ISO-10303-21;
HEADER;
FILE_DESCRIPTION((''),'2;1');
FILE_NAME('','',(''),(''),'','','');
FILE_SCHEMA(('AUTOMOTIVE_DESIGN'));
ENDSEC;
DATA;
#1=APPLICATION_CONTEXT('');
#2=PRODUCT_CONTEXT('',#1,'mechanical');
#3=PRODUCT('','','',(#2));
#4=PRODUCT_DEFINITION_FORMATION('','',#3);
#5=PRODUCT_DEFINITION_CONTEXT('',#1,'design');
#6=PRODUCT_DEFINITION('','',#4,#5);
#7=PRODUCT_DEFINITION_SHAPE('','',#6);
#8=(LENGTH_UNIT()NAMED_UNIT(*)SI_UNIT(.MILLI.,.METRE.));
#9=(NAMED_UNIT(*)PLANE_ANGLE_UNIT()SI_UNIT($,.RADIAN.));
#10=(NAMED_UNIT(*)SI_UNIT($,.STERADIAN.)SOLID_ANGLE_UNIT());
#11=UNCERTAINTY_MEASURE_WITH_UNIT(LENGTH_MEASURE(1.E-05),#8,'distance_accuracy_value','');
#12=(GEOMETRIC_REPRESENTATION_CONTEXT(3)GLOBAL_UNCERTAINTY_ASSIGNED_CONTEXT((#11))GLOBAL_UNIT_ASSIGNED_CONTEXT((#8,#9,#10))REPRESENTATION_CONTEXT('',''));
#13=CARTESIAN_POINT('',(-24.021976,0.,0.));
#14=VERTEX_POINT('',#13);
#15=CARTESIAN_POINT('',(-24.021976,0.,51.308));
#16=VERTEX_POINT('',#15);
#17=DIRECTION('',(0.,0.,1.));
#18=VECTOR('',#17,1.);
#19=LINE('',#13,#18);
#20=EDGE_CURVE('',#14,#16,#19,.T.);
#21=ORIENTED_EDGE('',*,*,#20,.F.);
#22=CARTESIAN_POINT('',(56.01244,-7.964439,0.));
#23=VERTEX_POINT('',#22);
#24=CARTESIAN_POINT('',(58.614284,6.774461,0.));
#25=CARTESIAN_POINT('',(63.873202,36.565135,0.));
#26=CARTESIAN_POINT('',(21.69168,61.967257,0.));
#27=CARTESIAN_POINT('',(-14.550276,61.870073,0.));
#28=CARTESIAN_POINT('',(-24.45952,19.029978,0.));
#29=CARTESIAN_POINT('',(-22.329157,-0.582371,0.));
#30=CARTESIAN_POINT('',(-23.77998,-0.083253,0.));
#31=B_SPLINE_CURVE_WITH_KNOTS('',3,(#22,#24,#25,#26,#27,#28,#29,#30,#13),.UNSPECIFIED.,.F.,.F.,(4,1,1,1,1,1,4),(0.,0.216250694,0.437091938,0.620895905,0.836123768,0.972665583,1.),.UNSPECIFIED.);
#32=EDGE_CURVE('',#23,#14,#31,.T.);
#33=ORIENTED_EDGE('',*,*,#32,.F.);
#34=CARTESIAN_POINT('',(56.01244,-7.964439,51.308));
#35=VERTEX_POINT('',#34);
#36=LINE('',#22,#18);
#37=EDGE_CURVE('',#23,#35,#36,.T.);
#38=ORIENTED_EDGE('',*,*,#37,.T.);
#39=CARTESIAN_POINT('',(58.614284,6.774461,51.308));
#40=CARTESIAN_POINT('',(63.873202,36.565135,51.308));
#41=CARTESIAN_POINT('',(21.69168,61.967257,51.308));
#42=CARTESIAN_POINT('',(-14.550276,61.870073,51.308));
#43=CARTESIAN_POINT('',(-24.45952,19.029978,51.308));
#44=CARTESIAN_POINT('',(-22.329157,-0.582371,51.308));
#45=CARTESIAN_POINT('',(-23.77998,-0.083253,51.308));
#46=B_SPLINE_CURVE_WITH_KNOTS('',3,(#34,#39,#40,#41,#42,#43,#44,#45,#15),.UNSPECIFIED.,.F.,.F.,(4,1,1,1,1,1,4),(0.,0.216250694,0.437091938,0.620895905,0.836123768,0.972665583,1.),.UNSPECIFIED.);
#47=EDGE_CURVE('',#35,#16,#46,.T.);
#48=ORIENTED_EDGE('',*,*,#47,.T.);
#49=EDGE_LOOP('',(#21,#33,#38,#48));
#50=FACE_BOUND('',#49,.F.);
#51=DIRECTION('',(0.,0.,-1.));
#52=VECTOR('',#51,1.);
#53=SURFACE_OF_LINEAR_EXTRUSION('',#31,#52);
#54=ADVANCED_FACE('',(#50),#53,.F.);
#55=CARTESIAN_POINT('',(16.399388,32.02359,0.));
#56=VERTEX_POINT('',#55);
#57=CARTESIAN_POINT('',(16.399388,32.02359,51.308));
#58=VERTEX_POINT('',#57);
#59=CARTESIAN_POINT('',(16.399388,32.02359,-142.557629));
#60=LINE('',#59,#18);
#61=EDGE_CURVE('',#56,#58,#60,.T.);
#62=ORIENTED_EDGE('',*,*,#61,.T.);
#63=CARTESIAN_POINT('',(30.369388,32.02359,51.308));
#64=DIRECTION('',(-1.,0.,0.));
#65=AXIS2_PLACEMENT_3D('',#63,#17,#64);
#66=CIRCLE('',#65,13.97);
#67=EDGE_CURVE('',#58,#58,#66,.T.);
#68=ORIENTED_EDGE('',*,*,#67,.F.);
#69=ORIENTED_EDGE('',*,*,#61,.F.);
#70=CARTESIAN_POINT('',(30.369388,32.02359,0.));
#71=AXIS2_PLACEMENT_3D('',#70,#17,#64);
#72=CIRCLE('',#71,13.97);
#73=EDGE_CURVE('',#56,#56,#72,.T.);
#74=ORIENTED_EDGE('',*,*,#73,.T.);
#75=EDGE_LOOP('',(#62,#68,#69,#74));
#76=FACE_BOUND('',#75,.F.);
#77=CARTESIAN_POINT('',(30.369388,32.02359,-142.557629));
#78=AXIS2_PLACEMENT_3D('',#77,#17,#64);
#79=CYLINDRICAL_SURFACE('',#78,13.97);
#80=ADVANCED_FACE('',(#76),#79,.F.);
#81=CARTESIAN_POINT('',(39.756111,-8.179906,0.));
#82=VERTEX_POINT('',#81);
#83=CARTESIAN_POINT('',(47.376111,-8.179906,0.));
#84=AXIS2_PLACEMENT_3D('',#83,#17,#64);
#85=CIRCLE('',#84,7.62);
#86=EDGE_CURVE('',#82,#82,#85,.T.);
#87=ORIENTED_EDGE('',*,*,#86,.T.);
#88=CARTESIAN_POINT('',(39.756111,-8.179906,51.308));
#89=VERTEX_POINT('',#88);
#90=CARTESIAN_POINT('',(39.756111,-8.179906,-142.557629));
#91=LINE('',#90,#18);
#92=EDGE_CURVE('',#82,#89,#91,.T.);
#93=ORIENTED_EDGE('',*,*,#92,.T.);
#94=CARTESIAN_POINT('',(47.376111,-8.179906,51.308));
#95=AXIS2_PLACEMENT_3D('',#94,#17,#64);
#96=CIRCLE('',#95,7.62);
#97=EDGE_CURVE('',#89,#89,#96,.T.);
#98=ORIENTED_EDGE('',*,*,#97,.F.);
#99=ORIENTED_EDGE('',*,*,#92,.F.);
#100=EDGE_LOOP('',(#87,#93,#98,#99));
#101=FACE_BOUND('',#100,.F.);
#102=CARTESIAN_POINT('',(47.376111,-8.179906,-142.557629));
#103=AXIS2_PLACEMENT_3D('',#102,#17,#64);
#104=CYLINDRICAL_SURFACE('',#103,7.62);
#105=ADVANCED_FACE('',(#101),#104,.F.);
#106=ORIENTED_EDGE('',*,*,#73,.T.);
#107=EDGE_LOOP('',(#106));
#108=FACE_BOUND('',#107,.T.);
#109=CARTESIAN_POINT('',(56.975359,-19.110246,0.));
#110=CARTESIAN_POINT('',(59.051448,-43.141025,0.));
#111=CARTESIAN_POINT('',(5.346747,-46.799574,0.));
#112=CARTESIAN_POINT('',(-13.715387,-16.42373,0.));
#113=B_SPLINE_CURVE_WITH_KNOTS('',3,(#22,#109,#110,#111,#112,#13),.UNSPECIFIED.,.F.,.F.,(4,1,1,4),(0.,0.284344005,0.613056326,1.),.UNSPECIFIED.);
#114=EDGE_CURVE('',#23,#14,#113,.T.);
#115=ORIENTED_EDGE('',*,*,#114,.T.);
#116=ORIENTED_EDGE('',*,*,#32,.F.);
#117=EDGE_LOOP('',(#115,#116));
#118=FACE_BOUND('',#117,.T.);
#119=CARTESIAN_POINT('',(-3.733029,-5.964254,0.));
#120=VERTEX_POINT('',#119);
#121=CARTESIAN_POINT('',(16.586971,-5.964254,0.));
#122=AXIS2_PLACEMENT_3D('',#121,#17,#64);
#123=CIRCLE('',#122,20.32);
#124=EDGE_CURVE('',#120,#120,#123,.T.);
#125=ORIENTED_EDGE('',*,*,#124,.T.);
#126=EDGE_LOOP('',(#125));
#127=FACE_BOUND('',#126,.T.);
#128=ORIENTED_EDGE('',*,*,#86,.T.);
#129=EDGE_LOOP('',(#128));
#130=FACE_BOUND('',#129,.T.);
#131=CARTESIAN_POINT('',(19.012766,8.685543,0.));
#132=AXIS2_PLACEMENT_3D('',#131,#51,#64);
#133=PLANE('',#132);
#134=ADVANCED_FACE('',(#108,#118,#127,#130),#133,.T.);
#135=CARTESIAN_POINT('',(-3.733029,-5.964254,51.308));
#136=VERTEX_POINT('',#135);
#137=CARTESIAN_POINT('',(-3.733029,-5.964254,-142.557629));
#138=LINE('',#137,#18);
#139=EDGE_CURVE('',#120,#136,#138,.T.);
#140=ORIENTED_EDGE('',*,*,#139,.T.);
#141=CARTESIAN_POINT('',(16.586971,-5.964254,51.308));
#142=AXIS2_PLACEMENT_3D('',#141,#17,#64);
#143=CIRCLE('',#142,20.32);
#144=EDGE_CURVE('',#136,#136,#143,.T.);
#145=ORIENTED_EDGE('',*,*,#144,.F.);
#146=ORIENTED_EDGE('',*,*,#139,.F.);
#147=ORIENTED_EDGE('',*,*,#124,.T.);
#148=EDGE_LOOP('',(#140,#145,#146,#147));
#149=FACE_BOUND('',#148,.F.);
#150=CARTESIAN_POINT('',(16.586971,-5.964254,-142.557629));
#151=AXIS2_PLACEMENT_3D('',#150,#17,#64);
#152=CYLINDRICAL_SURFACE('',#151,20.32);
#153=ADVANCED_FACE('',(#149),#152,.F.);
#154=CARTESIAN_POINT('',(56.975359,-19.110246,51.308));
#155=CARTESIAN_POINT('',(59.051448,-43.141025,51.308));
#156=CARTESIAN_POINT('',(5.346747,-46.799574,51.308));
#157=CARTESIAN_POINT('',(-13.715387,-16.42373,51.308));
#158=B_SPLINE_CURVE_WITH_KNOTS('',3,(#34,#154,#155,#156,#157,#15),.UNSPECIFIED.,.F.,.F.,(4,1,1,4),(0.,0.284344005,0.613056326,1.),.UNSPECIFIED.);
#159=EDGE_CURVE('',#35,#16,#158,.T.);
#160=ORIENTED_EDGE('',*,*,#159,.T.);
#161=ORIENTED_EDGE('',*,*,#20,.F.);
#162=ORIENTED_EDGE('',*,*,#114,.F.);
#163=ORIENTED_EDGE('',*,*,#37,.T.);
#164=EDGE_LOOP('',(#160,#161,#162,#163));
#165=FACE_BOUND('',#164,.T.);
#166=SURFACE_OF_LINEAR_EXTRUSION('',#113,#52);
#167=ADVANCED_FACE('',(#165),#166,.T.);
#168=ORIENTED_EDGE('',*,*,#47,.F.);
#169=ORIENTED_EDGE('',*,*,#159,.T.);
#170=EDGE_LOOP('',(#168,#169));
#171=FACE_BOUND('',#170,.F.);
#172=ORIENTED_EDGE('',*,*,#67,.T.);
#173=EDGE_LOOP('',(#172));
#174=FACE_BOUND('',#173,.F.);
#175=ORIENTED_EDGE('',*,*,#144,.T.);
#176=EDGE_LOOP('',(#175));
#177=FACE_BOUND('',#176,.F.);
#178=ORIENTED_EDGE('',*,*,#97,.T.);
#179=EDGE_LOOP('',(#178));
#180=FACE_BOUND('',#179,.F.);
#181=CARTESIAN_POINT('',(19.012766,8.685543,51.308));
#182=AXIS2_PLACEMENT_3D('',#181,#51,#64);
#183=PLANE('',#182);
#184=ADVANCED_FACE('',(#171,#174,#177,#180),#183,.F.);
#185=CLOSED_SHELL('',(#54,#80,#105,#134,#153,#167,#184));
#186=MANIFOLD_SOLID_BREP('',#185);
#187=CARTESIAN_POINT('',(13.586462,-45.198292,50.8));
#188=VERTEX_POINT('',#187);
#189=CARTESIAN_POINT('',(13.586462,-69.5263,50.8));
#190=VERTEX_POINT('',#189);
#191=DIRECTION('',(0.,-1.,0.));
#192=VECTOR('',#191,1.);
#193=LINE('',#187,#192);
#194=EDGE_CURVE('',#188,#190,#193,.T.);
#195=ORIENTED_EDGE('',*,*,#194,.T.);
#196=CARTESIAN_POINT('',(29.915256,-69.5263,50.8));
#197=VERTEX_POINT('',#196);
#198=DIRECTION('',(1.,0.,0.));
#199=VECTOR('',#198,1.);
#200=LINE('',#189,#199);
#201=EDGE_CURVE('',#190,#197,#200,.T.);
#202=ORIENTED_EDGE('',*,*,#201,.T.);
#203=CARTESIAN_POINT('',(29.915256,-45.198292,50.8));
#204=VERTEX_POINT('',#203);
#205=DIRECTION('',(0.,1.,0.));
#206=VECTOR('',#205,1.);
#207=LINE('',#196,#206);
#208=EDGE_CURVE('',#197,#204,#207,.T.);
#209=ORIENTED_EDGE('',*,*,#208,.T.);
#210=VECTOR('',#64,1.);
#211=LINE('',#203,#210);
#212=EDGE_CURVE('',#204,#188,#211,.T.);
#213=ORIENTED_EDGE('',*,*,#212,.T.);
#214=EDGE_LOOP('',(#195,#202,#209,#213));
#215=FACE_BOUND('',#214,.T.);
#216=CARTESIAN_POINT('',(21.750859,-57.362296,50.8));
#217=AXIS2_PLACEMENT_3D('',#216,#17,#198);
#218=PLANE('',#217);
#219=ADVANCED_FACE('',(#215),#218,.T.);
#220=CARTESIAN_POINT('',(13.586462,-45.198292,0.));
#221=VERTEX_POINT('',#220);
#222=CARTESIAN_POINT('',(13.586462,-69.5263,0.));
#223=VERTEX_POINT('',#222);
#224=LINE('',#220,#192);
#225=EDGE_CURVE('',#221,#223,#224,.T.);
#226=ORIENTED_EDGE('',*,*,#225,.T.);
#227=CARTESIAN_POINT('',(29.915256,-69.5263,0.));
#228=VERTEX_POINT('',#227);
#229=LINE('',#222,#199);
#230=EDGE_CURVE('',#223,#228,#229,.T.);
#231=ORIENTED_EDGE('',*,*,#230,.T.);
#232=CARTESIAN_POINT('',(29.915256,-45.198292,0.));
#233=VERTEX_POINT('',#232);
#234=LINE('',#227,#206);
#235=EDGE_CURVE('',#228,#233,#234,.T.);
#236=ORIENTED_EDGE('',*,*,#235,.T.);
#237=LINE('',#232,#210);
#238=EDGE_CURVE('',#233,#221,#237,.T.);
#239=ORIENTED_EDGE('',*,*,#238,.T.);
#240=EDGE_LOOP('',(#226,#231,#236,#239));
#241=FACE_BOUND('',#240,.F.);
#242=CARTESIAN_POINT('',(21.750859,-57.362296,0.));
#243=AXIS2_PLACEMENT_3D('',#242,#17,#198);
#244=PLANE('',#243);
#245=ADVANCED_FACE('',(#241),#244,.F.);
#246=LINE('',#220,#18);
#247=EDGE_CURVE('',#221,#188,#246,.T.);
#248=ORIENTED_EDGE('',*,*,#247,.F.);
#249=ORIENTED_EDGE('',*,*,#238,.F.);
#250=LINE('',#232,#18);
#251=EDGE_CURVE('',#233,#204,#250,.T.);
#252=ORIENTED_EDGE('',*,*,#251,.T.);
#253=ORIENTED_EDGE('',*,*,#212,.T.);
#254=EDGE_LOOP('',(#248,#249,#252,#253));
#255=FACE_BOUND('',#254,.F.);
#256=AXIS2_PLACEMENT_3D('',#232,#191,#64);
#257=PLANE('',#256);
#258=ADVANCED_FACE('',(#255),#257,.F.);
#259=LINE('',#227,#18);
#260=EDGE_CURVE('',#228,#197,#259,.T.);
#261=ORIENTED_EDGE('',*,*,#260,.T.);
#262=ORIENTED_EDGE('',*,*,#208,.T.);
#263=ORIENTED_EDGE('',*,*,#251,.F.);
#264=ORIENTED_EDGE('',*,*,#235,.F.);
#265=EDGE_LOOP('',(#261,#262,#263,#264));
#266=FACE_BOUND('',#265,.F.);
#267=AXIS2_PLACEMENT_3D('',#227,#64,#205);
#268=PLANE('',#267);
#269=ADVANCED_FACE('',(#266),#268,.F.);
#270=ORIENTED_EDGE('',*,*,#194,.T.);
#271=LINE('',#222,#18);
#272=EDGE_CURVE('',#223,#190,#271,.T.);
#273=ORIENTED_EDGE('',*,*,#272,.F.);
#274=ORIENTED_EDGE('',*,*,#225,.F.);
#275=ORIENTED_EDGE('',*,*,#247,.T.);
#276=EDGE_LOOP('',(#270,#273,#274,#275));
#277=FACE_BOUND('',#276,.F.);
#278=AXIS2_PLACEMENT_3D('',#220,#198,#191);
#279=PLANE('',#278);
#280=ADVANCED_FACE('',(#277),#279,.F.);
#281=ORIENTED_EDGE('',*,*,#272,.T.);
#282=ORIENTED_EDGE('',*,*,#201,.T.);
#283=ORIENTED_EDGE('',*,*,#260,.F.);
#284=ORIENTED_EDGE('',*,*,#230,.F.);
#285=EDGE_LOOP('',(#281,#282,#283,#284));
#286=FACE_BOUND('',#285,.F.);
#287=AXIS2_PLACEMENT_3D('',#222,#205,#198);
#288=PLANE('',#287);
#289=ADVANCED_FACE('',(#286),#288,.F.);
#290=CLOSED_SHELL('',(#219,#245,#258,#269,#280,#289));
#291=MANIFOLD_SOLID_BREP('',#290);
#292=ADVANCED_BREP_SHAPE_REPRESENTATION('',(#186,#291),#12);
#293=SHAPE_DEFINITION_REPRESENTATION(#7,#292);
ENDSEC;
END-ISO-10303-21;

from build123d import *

# Parameters (mm, degrees)
F1_DEPTH = 51.308
F3_D     = 40.64
F5_D     = 15.24
F7_D     = 27.94
F9_DEPTH = 50.8


with BuildPart() as f1:
    # F0 (on Top) → F1 (new body)
    with BuildSketch(Plane.XY):
        with BuildLine():
            add(Edge.make_bspline(
                [(56.0124404728, -7.9644387588), (56.9753590395, -19.1102463597), (59.0514475401, -43.1410250669), (5.3467472158, -46.7995741419), (-13.7153867683, -16.4237299021), (-24.0219756961, 0)],
                knots=[0, 0, 0, 0, 0.284344005, 0.6130563262, 1, 1, 1, 1], degree=3))
            add(Edge.make_bspline(
                [(56.0124404728, -7.9644387588), (58.6142836782, 6.7744605313), (63.873201795, 36.5651352116), (21.6916803423, 61.9672567425), (-14.5502762604, 61.8700733376), (-24.4595201188, 19.0299783517), (-22.3291566988, -0.582370954), (-23.7799796516, -0.0832525318), (-24.0219756961, 0)],
                knots=[0, 0, 0, 0, 0.2162506935, 0.4370919382, 0.6208959046, 0.8361237682, 0.9726655828, 1, 1, 1, 1], degree=3))
        make_face()
    extrude(amount=F1_DEPTH)

    # F3 (through all)
    with Locations(Plane(origin=(0, 0, 0), x_dir=(1, 0, 0), z_dir=(0, 0, -1))):
        with Locations((16.5869705379, 5.9642544948)):
            Hole(F3_D / 2)

    # F5 (through all)
    with Locations(Plane(origin=(0, 0, 0), x_dir=(1, 0, 0), z_dir=(0, 0, -1))):
        with Locations((47.3761111498, 8.1799058244)):
            Hole(F5_D / 2)

    # F7 (through all)
    with Locations(Plane(origin=(0, 0, 0), x_dir=(1, 0, 0), z_dir=(0, 0, -1))):
        with Locations((30.3693879396, -32.0235900581)):
            Hole(F7_D / 2)


with BuildPart() as f9:
    # F8 (on Top) → F9 (new body)
    with BuildSketch(Plane.XY):
        Polygon((29.9152564257, -69.5262998343), (29.9152564257, -45.1982915401), (18.3138735592, -45.1982915401), (13.5864624754, -45.1982915401), (13.5864624754, -69.5262998343), align=None)
    extrude(amount=F9_DEPTH)


solid = Compound([f1.part, f9.part])
